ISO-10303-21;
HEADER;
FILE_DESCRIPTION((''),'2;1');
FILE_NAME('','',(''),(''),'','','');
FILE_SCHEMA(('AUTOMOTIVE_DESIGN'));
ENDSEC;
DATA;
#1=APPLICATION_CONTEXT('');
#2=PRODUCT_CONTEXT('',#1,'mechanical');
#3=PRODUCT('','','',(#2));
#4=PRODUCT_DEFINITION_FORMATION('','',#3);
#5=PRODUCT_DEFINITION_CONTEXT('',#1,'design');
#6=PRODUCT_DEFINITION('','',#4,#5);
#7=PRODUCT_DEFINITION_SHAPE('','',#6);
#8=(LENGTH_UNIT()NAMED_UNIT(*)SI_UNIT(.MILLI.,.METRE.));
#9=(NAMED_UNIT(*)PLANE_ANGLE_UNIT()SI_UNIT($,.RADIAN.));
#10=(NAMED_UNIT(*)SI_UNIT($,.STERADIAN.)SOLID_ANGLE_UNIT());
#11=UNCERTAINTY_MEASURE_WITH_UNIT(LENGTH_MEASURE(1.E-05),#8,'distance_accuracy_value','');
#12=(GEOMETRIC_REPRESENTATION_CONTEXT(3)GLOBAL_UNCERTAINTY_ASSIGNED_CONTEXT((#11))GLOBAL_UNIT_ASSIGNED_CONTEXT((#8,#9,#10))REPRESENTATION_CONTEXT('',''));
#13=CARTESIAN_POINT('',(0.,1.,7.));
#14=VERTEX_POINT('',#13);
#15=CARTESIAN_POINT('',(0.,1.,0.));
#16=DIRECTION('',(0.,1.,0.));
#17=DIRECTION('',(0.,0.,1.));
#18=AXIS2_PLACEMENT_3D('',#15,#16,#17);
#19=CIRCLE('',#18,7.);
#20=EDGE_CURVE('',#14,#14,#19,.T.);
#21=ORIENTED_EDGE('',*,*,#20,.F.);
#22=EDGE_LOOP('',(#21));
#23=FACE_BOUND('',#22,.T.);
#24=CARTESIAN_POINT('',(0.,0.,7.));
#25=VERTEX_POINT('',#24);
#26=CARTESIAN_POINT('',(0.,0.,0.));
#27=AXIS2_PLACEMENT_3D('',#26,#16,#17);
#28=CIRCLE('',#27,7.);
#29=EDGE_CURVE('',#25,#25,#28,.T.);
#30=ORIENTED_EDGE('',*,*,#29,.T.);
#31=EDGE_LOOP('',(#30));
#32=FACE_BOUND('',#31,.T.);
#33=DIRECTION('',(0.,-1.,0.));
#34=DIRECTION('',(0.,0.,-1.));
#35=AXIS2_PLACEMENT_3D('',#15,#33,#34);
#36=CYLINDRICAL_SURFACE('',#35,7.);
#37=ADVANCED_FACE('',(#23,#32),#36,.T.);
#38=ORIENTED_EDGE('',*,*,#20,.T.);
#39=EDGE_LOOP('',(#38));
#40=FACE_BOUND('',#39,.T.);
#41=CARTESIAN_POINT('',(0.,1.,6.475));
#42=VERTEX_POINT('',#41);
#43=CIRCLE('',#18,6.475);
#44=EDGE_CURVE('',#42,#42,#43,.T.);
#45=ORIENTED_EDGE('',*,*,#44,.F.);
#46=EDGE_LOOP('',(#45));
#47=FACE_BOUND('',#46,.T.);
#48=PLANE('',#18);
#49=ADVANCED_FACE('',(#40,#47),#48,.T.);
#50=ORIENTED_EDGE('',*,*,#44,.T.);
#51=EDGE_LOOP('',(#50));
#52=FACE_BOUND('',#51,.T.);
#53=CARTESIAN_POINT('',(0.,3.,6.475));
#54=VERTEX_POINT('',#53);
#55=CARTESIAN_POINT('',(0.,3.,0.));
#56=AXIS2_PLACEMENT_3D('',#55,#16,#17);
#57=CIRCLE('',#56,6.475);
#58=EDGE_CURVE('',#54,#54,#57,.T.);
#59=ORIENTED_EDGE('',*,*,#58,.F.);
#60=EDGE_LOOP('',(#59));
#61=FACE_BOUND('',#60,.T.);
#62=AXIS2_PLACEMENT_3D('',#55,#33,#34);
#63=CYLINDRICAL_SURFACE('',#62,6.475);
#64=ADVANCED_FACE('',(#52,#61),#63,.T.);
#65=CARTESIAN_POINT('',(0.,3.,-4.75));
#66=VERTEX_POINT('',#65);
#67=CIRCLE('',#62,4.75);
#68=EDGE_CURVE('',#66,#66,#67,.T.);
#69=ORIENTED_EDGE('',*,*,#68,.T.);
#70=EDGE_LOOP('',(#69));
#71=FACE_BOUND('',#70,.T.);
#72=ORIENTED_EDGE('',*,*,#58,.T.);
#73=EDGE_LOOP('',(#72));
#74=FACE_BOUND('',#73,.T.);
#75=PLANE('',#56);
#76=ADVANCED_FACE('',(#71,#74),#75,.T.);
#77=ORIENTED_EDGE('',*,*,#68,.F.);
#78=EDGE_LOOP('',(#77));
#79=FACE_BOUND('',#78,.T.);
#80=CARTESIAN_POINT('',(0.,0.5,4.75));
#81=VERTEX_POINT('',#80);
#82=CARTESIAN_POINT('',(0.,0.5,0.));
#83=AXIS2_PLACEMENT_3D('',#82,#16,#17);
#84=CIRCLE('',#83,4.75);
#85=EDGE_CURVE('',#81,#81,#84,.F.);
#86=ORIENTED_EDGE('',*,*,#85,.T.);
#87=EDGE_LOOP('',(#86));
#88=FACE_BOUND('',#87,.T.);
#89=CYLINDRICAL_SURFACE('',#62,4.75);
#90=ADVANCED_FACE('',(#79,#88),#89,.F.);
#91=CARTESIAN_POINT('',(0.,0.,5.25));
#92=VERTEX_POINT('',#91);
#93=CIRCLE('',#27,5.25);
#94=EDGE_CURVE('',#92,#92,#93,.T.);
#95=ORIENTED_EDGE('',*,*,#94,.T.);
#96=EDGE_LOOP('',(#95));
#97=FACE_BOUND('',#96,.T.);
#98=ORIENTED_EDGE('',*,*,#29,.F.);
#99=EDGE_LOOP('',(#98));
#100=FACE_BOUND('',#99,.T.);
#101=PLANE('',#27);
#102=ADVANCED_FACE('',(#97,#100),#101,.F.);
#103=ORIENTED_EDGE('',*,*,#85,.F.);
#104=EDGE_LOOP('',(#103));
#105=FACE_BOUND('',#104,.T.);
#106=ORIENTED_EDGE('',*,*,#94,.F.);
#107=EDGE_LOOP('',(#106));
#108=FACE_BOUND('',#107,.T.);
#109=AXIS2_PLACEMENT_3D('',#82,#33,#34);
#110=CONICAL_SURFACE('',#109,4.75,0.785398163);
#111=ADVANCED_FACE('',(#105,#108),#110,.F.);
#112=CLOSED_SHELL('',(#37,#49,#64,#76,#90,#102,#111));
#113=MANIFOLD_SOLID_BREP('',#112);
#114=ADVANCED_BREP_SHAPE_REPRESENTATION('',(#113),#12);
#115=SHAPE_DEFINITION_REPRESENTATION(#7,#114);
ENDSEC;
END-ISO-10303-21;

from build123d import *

# Parameters (mm, degrees)
SKETCH1_R           = 7
BOSS_EXTRUDE1_DEPTH = 1
SKETCH2_R           = 6.475
BOSS_EXTRUDE2_DEPTH = 2
SKETCH3_R           = 4.75
CUT_EXTRUDE1_DEPTH  = 11.344080433
CHAMFER1_SIZE       = 0.5


with BuildPart() as part:
    # Sketch1 → Boss-Extrude1 (new body)
    with BuildSketch(Plane(origin=(0, 0, 0), x_dir=(1, 0, 0), z_dir=(0, 1, 0))):
        with Locations(Location((0, 0, 0), (0, 0, 270))):
            Circle(SKETCH1_R)
    extrude(amount=BOSS_EXTRUDE1_DEPTH)

    # Sketch2 → Boss-Extrude2 (add)
    with BuildSketch(Plane(origin=(0, 1, 0), x_dir=(1, 0, 0), z_dir=(0, 1, 0))):
        with Locations(Location((0, 0, 0), (0, 0, 270))):
            Circle(SKETCH2_R)
    extrude(amount=BOSS_EXTRUDE2_DEPTH)

    # Sketch3 → Cut-Extrude1 (cut, through all)
    with BuildSketch(Plane.XZ):
        with Locations(Location((0, 0, 0), (0, 0, 270))):
            Circle(SKETCH3_R)
    extrude(amount=-CUT_EXTRUDE1_DEPTH, mode=Mode.SUBTRACT)

    # Chamfer1
    chamfer1_edges = [part.edges().sort_by_distance(p)[0] for p in [
        (0, 0, 4.75),
    ]]
    chamfer(chamfer1_edges, length=CHAMFER1_SIZE)


solid = part.part
